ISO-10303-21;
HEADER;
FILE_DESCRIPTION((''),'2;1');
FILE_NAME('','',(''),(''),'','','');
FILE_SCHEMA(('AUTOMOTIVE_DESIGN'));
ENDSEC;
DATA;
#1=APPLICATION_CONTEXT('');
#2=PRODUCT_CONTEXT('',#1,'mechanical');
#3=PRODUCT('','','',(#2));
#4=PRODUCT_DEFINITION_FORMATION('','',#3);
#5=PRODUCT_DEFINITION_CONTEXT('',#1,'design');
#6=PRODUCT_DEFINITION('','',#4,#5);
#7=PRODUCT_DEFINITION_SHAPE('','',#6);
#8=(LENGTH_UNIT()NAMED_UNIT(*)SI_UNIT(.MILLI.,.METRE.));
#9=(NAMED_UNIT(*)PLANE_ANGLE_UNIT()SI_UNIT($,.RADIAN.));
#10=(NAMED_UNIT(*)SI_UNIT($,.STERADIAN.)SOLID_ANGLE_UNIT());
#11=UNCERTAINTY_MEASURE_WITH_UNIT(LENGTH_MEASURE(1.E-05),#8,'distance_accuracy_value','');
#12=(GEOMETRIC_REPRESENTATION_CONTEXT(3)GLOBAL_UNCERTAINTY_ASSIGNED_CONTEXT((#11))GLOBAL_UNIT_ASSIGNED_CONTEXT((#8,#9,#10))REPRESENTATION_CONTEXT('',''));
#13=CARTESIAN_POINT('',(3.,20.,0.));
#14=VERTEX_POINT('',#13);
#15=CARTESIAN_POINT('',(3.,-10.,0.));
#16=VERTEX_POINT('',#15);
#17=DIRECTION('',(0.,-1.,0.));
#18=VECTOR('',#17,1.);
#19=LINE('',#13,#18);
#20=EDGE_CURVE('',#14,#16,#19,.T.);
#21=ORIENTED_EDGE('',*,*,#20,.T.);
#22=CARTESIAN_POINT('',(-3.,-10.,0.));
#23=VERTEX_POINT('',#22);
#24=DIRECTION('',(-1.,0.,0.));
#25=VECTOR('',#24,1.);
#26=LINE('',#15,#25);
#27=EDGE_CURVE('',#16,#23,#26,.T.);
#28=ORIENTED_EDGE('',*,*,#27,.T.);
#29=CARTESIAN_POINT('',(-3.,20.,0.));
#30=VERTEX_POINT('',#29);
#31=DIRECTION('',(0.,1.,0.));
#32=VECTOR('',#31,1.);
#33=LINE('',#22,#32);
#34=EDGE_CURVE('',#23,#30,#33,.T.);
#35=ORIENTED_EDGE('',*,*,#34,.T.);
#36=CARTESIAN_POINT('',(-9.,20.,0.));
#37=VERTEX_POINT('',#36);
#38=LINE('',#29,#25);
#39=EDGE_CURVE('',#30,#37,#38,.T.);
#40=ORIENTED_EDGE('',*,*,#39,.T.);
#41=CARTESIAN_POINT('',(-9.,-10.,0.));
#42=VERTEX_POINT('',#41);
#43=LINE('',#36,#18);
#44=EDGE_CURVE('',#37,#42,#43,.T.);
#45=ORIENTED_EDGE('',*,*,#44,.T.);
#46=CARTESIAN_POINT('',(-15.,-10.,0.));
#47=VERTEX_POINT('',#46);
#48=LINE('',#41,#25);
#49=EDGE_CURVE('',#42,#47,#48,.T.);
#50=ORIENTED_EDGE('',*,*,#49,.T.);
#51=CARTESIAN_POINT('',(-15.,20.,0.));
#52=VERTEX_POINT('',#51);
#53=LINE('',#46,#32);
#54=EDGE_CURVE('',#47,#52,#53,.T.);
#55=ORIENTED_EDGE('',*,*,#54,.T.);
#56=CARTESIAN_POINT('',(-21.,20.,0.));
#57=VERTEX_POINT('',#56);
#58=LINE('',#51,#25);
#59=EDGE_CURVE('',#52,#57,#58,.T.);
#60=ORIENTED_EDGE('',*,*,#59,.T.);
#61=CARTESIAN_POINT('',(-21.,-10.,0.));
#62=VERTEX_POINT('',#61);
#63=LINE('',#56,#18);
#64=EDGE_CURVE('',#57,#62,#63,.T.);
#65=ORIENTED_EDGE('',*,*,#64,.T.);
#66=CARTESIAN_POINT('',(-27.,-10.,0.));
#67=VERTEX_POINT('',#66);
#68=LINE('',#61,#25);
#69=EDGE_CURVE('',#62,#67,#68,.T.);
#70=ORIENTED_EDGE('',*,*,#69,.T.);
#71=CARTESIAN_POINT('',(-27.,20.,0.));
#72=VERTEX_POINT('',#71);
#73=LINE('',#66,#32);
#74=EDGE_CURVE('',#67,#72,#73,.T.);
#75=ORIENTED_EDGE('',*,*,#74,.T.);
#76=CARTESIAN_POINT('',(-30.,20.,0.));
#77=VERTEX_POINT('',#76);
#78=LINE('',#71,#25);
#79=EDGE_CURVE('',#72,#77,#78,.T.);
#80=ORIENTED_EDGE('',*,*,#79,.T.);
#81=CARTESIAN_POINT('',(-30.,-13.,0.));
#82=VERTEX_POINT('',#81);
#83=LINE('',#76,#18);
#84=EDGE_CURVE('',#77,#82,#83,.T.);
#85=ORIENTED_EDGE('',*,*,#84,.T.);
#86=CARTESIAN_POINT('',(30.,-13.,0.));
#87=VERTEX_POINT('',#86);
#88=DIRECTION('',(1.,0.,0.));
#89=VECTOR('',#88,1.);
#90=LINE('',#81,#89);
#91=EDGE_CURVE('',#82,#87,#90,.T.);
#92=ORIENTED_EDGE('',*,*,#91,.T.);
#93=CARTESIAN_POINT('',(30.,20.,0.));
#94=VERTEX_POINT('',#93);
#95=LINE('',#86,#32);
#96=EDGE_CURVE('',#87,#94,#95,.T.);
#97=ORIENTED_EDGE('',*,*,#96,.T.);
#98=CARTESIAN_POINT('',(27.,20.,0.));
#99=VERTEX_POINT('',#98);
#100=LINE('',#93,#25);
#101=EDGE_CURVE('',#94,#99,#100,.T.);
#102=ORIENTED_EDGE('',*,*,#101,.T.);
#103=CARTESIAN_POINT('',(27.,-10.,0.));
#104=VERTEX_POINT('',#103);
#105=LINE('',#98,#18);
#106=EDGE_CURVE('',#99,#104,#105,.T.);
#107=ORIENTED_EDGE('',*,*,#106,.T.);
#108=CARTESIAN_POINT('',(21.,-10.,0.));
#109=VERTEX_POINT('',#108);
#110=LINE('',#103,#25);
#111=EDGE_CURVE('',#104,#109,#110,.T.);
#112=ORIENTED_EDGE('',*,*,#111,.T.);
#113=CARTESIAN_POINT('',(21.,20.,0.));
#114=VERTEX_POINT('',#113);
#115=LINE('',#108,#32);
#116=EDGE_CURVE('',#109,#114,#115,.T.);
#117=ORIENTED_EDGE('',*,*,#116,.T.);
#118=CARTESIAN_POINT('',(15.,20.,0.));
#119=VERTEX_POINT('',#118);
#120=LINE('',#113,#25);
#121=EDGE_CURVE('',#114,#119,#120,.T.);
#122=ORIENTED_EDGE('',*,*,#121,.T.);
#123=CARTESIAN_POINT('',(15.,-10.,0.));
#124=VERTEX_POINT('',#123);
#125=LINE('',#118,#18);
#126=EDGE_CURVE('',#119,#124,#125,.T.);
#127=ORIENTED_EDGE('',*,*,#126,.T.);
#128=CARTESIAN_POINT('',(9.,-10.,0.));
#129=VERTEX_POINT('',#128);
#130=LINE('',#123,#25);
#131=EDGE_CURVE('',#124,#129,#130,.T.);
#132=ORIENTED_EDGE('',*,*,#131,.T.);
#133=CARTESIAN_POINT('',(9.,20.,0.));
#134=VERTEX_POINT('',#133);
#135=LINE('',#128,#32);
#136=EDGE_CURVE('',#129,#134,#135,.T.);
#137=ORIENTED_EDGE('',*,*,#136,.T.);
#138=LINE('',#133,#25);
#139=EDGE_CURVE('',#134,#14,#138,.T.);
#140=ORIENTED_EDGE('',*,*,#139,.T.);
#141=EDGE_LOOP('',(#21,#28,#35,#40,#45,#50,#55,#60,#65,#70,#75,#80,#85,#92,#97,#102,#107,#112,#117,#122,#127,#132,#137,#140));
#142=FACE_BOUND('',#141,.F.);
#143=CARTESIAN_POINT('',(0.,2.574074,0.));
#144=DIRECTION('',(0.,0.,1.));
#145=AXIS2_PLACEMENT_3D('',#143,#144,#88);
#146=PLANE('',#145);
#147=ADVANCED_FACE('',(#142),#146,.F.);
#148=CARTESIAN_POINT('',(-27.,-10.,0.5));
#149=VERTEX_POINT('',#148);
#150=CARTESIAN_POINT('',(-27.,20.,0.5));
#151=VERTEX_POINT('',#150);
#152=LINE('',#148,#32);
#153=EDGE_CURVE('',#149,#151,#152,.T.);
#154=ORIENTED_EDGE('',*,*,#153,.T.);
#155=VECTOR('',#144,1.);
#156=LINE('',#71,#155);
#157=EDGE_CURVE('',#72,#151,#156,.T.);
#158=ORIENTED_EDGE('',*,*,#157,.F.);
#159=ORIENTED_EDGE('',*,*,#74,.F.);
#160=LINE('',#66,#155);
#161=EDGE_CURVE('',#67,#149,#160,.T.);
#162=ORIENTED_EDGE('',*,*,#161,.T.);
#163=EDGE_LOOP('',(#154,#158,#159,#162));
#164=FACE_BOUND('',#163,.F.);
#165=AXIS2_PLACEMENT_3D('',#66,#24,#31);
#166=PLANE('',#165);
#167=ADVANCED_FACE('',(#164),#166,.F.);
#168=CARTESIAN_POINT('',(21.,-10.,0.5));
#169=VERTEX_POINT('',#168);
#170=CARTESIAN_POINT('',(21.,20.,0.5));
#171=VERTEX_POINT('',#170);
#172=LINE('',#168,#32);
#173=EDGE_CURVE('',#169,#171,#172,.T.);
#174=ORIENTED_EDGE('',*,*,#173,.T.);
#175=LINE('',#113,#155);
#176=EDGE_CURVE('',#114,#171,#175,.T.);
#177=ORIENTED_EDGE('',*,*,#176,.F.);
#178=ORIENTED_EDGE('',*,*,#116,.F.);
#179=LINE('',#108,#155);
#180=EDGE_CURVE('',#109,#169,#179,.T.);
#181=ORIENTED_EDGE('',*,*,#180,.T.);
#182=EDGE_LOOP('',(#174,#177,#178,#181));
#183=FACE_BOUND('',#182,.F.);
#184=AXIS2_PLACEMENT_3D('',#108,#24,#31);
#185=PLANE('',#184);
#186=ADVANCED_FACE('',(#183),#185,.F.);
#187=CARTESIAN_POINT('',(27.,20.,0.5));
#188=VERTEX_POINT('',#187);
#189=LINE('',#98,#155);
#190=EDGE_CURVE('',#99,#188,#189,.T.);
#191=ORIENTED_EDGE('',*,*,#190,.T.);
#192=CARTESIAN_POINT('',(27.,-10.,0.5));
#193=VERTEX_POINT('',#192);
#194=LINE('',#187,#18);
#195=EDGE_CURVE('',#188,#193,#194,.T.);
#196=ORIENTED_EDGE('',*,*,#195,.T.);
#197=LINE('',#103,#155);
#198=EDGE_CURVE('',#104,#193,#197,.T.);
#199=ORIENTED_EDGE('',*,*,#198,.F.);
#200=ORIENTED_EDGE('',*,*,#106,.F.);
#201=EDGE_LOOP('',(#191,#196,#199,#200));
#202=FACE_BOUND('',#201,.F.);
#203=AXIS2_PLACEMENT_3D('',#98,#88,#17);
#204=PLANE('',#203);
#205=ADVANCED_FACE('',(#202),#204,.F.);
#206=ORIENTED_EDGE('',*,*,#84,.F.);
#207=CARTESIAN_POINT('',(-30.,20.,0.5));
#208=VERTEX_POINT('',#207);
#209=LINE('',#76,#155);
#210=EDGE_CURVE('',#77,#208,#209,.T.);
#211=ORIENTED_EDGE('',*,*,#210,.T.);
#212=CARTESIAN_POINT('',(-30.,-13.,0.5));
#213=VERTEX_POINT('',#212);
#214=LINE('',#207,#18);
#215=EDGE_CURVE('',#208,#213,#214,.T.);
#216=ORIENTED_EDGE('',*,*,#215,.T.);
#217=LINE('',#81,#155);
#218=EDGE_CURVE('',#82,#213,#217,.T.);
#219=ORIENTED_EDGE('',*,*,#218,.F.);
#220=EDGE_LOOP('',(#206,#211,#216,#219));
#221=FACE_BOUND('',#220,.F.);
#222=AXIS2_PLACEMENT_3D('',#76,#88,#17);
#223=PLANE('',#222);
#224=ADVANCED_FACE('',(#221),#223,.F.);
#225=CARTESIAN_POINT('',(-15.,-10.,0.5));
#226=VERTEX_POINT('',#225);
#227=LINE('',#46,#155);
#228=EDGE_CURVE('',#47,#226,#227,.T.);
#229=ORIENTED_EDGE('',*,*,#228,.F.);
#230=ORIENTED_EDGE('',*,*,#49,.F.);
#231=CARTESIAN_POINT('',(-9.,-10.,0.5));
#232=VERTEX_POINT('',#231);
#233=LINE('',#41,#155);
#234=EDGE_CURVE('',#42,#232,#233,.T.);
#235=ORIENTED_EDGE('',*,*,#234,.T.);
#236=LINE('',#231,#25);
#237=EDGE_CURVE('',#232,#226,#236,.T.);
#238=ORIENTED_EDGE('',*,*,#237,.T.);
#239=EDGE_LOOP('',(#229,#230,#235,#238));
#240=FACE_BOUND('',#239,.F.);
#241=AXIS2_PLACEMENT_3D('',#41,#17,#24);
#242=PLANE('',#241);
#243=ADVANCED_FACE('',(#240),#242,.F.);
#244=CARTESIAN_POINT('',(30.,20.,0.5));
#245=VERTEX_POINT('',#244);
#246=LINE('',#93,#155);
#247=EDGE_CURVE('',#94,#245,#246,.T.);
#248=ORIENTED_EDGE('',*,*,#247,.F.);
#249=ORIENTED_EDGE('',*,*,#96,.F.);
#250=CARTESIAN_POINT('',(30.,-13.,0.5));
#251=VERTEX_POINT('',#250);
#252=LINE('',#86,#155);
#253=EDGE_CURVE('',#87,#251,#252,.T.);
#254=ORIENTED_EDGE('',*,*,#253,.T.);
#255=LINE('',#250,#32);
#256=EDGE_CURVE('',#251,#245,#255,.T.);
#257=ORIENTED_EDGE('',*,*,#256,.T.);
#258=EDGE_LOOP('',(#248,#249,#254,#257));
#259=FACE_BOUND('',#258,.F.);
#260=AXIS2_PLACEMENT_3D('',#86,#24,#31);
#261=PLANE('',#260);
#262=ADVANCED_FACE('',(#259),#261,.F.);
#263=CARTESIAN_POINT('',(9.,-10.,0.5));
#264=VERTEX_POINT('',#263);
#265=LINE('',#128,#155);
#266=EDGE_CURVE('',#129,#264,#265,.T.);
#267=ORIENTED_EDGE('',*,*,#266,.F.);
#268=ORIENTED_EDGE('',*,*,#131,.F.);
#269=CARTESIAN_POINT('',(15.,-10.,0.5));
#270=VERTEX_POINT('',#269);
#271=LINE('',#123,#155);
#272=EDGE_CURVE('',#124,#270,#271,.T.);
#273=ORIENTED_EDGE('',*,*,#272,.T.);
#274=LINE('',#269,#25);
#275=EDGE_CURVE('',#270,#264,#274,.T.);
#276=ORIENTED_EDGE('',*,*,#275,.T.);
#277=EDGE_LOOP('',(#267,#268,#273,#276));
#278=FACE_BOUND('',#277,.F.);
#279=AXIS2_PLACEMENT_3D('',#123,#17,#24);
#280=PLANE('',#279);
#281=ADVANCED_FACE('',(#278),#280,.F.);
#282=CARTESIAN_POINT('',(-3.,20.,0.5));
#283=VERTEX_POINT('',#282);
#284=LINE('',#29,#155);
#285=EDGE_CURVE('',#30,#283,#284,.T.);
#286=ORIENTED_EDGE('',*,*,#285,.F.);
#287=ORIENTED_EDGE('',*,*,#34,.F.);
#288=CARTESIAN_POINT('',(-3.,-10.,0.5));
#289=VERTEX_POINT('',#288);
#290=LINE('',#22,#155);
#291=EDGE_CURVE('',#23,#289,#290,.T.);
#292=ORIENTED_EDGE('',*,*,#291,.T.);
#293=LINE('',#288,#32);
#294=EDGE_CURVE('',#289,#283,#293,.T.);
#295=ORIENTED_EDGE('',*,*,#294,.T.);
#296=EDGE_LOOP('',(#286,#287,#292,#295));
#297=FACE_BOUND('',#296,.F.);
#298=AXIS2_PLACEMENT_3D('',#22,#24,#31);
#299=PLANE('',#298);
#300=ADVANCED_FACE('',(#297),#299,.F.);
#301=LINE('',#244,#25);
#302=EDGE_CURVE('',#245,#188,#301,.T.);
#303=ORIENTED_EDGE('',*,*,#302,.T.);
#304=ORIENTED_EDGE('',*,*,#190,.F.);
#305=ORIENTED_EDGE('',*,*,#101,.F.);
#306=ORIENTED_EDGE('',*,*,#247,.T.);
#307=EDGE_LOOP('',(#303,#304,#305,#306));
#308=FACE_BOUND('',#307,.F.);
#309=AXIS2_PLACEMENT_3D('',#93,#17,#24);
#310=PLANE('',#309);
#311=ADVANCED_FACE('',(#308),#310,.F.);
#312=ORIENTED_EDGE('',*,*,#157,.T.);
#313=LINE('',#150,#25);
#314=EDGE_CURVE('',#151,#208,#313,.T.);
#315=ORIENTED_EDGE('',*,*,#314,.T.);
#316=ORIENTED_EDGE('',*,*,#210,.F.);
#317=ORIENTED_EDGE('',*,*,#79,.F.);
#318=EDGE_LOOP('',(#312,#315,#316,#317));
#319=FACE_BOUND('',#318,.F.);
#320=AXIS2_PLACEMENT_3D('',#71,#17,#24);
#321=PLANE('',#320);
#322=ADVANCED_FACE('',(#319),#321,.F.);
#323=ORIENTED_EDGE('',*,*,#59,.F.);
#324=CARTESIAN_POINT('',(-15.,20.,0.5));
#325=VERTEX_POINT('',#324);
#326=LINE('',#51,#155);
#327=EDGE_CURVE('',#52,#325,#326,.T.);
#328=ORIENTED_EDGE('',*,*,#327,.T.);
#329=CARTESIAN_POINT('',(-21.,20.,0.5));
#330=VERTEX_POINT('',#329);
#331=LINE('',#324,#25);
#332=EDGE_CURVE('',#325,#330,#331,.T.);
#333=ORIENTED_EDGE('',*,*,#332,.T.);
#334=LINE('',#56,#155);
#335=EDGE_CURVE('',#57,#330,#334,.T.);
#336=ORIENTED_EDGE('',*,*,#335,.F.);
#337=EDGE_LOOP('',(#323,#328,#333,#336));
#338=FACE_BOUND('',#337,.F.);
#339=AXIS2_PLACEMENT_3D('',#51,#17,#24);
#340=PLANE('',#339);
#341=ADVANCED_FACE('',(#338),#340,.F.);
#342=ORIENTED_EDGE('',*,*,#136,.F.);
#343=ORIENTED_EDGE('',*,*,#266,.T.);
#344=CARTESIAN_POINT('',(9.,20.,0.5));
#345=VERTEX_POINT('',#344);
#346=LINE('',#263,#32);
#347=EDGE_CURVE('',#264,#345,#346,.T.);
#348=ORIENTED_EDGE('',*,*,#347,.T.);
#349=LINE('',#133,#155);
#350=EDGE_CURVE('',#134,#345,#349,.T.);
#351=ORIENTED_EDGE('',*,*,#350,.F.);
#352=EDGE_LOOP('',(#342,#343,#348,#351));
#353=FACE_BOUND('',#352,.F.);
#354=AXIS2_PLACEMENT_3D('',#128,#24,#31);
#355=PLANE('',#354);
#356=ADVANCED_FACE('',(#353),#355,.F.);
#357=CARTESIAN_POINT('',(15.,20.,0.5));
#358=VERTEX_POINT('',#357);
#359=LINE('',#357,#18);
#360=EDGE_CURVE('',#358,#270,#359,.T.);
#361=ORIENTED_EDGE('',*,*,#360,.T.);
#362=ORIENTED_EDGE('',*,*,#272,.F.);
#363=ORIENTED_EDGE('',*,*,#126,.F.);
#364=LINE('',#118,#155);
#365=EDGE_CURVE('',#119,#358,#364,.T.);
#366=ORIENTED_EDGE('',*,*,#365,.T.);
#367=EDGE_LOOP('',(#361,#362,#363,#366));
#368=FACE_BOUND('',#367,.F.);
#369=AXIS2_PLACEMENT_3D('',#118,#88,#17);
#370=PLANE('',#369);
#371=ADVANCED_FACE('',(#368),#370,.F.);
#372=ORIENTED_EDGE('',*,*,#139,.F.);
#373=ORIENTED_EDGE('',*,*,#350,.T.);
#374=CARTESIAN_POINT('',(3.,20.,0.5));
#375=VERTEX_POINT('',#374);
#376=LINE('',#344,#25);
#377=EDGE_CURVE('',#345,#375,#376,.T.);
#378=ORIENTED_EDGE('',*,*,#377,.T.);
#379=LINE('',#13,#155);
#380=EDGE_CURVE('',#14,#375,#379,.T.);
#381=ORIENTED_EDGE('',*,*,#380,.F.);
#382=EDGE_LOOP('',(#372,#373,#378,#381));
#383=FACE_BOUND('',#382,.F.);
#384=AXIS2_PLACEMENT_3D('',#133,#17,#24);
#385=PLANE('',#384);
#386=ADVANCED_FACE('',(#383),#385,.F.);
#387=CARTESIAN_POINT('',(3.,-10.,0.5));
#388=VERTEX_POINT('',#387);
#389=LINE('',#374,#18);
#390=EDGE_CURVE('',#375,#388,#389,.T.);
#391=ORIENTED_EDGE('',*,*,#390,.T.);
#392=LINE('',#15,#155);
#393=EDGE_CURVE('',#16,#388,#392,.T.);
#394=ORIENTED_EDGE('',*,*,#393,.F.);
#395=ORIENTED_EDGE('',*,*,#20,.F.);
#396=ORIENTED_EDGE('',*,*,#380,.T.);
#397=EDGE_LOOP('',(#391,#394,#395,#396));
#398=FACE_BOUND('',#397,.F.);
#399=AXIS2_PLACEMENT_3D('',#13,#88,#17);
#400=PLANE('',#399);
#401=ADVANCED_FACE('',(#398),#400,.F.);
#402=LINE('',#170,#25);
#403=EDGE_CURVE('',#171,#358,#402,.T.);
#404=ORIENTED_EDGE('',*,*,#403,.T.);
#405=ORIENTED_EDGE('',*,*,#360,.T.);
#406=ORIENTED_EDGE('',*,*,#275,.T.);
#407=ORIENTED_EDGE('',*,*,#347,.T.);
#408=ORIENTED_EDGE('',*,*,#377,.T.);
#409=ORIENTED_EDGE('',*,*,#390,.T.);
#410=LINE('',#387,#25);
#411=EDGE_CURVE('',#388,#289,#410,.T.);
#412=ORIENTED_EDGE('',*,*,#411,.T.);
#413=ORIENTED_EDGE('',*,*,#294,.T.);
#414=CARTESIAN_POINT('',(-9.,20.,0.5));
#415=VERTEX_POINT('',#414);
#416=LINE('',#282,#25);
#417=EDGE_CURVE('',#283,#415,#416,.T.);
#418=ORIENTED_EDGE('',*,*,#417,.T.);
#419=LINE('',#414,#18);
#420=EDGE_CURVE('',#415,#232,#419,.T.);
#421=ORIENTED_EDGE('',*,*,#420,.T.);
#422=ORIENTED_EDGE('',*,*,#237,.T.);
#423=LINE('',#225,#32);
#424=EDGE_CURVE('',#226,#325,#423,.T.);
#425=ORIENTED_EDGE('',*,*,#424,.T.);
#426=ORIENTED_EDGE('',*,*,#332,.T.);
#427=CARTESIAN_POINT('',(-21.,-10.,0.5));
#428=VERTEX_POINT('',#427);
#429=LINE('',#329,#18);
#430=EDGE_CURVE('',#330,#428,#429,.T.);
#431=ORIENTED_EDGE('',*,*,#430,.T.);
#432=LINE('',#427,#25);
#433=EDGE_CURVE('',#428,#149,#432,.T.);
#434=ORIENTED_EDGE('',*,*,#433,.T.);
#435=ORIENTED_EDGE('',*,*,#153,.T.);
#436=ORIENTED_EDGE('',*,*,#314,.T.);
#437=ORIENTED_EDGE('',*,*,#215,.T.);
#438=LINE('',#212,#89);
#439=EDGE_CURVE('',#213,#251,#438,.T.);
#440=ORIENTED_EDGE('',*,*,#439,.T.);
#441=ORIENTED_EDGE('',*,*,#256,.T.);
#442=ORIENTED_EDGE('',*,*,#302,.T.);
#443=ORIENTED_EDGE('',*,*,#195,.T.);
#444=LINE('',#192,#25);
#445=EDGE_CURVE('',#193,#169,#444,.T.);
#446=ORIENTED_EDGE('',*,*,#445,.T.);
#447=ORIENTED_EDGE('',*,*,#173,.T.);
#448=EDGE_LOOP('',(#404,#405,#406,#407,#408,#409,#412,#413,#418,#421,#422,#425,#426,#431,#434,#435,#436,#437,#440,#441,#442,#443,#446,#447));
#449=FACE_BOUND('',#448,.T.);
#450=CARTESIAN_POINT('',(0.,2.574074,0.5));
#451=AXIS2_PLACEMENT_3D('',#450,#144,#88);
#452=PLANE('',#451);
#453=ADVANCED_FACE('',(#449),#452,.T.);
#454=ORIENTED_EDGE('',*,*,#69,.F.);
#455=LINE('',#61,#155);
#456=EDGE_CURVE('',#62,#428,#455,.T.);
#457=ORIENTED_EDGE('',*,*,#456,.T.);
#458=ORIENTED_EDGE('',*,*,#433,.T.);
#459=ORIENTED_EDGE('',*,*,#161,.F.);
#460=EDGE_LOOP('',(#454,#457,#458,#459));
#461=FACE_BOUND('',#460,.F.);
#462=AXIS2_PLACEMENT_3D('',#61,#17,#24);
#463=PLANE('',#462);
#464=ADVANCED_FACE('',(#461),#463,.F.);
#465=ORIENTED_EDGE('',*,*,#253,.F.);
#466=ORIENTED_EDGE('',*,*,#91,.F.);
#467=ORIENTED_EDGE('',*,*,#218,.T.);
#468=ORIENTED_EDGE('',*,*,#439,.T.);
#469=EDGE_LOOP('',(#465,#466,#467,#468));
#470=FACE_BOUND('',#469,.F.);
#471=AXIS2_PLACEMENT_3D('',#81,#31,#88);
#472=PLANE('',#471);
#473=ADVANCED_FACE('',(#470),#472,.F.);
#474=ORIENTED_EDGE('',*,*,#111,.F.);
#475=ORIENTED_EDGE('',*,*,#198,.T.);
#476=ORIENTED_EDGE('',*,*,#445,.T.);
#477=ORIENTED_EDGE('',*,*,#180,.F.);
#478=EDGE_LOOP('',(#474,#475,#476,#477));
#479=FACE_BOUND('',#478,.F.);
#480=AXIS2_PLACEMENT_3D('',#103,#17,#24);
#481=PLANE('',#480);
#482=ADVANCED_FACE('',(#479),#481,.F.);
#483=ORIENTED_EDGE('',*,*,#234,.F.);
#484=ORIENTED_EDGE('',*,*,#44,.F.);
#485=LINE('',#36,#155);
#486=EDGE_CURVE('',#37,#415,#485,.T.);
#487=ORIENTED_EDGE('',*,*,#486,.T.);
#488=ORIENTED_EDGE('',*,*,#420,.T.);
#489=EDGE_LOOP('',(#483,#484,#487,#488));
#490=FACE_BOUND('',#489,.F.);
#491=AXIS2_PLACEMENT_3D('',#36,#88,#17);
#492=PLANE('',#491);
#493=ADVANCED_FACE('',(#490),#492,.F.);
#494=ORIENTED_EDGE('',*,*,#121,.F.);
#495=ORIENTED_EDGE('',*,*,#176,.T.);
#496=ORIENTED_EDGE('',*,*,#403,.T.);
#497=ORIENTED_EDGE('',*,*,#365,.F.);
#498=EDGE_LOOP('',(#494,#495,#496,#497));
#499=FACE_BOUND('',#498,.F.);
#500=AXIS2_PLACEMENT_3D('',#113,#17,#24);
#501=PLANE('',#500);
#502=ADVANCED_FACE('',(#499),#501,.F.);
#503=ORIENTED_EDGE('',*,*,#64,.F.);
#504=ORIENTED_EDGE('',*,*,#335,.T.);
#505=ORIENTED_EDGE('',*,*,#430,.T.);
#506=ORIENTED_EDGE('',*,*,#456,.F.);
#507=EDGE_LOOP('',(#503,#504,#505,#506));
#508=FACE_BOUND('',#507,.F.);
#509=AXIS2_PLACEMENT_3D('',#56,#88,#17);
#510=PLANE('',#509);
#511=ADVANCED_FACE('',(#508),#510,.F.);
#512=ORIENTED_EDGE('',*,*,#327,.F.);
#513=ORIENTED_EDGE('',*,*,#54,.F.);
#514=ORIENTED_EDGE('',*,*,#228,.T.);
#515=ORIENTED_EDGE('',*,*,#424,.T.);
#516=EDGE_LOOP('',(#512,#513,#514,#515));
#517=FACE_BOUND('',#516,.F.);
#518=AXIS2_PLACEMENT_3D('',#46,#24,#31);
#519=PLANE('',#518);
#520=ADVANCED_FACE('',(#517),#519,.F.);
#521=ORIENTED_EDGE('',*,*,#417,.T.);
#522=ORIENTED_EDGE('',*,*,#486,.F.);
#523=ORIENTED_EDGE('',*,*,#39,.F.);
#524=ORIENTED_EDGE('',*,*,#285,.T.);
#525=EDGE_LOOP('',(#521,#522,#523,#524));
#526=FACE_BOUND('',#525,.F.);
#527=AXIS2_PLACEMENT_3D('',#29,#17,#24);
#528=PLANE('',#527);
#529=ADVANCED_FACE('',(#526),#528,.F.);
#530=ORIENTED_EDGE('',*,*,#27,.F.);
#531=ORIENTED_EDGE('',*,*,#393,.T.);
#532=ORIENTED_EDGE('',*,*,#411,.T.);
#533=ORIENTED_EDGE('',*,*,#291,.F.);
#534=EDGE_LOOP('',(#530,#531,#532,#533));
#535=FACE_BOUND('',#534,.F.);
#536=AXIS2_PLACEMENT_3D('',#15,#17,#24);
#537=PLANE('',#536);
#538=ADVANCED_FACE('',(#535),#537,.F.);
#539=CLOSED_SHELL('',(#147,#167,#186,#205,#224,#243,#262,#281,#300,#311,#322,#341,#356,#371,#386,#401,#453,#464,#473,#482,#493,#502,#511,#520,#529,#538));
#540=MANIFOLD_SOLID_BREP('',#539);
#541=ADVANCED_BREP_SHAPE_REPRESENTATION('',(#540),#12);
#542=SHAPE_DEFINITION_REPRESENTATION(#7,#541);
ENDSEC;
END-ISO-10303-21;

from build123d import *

# Parameters (mm, degrees)
F1_DEPTH = 0.5


with BuildPart() as f1:
    # F0 (on Top) → F1 (new body)
    with BuildSketch(Plane.XY):
        Polygon((3, -10), (-3, -10), (-3, 20), (-9, 20), (-9, -10), (-15, -10), (-15, 20), (-21, 20), (-21, -10), (-27, -10), (-27, 20), (-30, 20), (-30, -13), (30, -13), (30, 20), (27, 20), (27, -10), (21, -10), (21, 20), (15, 20), (15, -10), (9, -10), (9, 20), (3, 20), align=None)
    extrude(amount=F1_DEPTH)


solid = f1.part
